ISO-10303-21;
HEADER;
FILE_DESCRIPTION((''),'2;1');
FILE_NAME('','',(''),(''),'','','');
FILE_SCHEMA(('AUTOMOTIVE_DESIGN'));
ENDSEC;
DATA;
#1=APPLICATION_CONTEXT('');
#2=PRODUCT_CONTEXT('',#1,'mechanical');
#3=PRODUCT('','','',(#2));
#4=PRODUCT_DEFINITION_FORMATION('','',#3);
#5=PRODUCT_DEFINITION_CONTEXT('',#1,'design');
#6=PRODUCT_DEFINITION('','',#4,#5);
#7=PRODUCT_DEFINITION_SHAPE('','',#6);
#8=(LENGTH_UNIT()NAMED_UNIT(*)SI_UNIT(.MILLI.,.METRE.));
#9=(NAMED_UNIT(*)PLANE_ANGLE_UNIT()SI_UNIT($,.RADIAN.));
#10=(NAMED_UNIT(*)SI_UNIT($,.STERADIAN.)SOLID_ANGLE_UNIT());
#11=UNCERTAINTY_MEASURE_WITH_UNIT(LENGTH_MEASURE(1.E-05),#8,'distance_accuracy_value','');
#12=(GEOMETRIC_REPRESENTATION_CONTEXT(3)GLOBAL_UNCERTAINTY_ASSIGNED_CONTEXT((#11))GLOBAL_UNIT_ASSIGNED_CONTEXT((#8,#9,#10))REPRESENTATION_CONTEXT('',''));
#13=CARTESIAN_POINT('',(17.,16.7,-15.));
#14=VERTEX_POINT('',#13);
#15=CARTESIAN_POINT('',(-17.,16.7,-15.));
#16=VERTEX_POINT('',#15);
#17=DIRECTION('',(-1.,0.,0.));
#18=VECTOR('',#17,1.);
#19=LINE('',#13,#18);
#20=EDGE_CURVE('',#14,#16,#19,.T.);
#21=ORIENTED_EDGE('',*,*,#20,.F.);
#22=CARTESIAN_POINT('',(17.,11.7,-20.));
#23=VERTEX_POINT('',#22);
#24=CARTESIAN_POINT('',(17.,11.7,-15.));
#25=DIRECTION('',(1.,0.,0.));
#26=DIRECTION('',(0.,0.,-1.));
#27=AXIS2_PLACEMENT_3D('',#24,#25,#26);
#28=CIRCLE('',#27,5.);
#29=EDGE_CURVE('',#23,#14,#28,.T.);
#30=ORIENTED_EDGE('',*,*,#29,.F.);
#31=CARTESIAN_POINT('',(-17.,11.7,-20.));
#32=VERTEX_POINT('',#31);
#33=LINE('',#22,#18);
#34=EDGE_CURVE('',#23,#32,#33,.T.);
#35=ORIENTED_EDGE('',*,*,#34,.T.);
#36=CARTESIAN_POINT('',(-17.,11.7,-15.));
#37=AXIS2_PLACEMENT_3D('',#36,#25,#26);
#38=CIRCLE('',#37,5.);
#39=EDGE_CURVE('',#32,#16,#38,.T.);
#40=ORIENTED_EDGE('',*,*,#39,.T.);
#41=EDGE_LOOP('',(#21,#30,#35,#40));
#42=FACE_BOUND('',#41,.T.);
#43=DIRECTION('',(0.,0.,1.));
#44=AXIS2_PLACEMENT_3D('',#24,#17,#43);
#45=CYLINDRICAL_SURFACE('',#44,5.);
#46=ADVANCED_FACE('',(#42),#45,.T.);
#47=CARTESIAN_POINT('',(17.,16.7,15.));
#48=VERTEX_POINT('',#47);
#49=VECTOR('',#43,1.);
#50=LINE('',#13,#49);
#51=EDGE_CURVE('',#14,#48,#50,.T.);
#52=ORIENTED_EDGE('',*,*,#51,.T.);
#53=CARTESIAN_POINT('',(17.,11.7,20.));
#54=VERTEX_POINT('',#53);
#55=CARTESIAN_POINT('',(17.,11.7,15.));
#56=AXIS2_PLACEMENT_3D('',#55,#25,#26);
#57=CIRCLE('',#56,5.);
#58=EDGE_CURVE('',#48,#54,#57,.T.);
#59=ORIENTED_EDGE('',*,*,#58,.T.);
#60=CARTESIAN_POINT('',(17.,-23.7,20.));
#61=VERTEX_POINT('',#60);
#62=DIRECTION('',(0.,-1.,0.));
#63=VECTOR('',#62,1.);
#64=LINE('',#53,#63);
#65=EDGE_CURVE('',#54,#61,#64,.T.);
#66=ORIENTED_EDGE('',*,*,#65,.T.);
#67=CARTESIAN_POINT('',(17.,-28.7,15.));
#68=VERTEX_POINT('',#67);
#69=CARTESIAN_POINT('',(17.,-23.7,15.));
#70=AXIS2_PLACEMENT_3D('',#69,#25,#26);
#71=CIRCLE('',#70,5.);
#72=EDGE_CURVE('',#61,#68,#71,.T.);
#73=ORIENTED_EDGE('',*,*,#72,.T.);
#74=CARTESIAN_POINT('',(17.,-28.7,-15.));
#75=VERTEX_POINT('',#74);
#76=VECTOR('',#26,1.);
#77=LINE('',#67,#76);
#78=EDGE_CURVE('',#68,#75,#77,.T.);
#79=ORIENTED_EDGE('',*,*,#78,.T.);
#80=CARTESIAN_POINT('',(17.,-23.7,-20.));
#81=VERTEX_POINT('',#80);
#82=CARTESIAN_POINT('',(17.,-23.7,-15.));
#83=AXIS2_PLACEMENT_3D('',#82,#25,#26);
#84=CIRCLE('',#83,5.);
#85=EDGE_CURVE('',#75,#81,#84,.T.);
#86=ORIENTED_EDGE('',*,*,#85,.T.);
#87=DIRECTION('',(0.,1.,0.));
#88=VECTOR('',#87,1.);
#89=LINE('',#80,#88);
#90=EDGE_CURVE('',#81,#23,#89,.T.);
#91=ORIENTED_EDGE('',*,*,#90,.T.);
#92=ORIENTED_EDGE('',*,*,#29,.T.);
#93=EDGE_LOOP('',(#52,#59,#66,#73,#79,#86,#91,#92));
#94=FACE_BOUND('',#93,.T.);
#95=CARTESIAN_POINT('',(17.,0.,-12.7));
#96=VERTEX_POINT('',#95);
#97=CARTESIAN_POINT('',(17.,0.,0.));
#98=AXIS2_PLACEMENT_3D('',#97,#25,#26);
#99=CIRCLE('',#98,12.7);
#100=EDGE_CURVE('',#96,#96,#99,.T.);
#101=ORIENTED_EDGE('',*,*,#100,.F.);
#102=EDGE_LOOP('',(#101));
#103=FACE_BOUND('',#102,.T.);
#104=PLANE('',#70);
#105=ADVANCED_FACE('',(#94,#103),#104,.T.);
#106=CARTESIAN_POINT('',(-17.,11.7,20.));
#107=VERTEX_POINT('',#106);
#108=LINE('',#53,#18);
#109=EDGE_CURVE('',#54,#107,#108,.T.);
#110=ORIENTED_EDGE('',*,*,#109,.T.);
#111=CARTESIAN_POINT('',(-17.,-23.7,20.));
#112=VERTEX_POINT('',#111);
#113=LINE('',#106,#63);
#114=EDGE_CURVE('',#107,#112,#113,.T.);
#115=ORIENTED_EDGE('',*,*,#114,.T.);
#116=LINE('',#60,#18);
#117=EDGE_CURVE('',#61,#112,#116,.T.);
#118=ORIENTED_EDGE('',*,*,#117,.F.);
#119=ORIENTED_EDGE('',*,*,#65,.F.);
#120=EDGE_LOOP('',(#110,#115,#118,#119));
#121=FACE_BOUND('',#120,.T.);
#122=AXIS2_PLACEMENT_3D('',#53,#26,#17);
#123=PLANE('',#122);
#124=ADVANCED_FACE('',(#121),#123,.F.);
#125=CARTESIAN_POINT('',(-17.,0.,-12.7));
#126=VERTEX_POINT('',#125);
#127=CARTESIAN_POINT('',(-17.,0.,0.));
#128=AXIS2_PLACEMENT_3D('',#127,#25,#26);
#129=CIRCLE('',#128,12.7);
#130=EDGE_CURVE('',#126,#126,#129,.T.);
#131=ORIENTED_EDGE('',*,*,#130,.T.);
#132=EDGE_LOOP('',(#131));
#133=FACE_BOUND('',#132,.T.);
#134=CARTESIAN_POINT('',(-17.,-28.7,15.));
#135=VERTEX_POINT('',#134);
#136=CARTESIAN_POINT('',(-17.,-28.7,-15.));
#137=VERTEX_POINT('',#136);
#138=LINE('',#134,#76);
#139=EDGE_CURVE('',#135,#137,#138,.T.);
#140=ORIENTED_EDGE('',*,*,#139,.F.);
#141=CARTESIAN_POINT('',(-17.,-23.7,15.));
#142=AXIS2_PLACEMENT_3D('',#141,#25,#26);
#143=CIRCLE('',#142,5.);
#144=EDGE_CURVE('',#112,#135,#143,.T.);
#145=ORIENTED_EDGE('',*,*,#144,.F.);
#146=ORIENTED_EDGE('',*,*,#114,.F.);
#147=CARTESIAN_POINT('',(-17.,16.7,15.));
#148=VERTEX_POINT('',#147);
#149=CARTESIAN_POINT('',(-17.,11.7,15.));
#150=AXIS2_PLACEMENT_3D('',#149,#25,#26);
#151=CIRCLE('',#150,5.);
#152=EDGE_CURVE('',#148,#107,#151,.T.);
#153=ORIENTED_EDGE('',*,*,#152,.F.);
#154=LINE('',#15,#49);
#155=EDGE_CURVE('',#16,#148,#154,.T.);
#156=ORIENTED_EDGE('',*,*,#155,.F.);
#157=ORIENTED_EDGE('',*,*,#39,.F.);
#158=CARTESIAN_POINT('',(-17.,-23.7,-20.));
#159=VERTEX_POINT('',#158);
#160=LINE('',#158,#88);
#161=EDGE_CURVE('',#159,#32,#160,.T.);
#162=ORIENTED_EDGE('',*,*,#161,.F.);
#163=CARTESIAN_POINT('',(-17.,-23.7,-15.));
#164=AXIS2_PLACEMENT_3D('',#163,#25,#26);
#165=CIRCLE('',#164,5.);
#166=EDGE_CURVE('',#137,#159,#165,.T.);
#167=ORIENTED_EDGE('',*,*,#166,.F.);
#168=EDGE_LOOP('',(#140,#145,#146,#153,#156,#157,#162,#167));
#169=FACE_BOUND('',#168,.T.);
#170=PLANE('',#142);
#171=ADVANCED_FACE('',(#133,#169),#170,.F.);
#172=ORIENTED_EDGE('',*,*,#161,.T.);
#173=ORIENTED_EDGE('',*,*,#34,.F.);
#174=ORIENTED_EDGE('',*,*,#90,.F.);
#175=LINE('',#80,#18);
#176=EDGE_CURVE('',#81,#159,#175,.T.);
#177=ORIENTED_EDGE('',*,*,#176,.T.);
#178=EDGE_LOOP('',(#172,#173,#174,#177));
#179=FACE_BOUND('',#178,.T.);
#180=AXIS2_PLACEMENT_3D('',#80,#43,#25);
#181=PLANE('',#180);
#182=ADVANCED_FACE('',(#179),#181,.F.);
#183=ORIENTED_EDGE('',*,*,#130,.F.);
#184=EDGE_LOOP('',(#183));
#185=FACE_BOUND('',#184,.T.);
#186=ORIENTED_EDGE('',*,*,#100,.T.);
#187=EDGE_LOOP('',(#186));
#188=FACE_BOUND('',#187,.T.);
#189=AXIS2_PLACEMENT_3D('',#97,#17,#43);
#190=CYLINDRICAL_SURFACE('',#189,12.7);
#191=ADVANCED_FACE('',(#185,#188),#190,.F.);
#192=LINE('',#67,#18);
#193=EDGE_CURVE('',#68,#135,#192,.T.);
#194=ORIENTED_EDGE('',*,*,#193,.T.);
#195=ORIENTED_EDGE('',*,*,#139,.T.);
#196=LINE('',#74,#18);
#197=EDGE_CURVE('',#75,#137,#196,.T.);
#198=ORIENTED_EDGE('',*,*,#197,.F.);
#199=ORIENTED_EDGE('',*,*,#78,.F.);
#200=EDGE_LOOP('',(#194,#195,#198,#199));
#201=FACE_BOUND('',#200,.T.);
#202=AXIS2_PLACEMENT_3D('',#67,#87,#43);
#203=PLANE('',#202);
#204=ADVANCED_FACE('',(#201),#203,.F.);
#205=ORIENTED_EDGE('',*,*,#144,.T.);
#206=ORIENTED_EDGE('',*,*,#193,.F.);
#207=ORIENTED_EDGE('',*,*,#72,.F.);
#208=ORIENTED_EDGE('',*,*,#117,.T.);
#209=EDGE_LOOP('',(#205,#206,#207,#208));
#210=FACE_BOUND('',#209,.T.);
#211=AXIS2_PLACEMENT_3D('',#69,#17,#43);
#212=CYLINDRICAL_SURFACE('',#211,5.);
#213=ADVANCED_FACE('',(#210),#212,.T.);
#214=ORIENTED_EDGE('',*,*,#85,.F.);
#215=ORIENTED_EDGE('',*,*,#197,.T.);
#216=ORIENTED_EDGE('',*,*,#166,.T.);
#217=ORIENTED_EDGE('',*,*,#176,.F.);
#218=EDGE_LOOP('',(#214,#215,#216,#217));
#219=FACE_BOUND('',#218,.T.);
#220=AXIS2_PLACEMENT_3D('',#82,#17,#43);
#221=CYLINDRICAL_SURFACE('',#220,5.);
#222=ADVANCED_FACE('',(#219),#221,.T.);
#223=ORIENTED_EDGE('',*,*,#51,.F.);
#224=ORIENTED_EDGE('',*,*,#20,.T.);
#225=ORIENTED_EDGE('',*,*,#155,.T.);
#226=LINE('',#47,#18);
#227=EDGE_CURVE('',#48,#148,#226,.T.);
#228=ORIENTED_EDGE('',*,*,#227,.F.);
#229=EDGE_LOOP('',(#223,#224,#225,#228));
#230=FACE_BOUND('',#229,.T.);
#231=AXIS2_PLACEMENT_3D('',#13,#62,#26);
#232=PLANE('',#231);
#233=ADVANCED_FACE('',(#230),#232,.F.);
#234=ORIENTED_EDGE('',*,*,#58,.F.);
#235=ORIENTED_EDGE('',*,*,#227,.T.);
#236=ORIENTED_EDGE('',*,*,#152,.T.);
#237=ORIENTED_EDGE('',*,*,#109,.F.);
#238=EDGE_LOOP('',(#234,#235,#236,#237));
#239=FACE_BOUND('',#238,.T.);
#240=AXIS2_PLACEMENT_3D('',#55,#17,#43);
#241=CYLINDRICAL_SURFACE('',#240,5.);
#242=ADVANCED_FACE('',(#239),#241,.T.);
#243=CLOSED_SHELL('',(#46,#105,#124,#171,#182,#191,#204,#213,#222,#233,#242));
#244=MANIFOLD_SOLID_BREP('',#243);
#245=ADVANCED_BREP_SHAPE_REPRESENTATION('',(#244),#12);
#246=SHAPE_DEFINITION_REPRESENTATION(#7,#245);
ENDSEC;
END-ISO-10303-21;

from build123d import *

# Parameters (mm, degrees)
SKETCH1_R           = 12.7
BOSS_EXTRUDE1_DEPTH = 17


with BuildPart() as part:
    # Sketch1 → Boss-Extrude1 (new, symmetric)
    with BuildSketch(Plane(origin=(0, 0, 0), x_dir=(0, 0, -1), z_dir=(1, 0, 0))):
        with BuildLine():
            Line((-15, -28.7), (15, -28.7))
            ThreePointArc((15, -28.7), (18.535533906, -27.235533906), (20, -23.7))
            Line((20, -23.7), (20, 11.7))
            ThreePointArc((20, 11.7), (18.535533906, 15.235533906), (15, 16.7))
            Line((15, 16.7), (-15, 16.7))
            ThreePointArc((-15, 16.7), (-18.535533906, 15.235533906), (-20, 11.7))
            Line((-20, 11.7), (-20, -23.7))
            ThreePointArc((-20, -23.7), (-18.535533906, -27.235533906), (-15, -28.7))
        make_face()
        Circle(SKETCH1_R, mode=Mode.SUBTRACT)
    extrude(amount=BOSS_EXTRUDE1_DEPTH, both=True)


solid = part.part
